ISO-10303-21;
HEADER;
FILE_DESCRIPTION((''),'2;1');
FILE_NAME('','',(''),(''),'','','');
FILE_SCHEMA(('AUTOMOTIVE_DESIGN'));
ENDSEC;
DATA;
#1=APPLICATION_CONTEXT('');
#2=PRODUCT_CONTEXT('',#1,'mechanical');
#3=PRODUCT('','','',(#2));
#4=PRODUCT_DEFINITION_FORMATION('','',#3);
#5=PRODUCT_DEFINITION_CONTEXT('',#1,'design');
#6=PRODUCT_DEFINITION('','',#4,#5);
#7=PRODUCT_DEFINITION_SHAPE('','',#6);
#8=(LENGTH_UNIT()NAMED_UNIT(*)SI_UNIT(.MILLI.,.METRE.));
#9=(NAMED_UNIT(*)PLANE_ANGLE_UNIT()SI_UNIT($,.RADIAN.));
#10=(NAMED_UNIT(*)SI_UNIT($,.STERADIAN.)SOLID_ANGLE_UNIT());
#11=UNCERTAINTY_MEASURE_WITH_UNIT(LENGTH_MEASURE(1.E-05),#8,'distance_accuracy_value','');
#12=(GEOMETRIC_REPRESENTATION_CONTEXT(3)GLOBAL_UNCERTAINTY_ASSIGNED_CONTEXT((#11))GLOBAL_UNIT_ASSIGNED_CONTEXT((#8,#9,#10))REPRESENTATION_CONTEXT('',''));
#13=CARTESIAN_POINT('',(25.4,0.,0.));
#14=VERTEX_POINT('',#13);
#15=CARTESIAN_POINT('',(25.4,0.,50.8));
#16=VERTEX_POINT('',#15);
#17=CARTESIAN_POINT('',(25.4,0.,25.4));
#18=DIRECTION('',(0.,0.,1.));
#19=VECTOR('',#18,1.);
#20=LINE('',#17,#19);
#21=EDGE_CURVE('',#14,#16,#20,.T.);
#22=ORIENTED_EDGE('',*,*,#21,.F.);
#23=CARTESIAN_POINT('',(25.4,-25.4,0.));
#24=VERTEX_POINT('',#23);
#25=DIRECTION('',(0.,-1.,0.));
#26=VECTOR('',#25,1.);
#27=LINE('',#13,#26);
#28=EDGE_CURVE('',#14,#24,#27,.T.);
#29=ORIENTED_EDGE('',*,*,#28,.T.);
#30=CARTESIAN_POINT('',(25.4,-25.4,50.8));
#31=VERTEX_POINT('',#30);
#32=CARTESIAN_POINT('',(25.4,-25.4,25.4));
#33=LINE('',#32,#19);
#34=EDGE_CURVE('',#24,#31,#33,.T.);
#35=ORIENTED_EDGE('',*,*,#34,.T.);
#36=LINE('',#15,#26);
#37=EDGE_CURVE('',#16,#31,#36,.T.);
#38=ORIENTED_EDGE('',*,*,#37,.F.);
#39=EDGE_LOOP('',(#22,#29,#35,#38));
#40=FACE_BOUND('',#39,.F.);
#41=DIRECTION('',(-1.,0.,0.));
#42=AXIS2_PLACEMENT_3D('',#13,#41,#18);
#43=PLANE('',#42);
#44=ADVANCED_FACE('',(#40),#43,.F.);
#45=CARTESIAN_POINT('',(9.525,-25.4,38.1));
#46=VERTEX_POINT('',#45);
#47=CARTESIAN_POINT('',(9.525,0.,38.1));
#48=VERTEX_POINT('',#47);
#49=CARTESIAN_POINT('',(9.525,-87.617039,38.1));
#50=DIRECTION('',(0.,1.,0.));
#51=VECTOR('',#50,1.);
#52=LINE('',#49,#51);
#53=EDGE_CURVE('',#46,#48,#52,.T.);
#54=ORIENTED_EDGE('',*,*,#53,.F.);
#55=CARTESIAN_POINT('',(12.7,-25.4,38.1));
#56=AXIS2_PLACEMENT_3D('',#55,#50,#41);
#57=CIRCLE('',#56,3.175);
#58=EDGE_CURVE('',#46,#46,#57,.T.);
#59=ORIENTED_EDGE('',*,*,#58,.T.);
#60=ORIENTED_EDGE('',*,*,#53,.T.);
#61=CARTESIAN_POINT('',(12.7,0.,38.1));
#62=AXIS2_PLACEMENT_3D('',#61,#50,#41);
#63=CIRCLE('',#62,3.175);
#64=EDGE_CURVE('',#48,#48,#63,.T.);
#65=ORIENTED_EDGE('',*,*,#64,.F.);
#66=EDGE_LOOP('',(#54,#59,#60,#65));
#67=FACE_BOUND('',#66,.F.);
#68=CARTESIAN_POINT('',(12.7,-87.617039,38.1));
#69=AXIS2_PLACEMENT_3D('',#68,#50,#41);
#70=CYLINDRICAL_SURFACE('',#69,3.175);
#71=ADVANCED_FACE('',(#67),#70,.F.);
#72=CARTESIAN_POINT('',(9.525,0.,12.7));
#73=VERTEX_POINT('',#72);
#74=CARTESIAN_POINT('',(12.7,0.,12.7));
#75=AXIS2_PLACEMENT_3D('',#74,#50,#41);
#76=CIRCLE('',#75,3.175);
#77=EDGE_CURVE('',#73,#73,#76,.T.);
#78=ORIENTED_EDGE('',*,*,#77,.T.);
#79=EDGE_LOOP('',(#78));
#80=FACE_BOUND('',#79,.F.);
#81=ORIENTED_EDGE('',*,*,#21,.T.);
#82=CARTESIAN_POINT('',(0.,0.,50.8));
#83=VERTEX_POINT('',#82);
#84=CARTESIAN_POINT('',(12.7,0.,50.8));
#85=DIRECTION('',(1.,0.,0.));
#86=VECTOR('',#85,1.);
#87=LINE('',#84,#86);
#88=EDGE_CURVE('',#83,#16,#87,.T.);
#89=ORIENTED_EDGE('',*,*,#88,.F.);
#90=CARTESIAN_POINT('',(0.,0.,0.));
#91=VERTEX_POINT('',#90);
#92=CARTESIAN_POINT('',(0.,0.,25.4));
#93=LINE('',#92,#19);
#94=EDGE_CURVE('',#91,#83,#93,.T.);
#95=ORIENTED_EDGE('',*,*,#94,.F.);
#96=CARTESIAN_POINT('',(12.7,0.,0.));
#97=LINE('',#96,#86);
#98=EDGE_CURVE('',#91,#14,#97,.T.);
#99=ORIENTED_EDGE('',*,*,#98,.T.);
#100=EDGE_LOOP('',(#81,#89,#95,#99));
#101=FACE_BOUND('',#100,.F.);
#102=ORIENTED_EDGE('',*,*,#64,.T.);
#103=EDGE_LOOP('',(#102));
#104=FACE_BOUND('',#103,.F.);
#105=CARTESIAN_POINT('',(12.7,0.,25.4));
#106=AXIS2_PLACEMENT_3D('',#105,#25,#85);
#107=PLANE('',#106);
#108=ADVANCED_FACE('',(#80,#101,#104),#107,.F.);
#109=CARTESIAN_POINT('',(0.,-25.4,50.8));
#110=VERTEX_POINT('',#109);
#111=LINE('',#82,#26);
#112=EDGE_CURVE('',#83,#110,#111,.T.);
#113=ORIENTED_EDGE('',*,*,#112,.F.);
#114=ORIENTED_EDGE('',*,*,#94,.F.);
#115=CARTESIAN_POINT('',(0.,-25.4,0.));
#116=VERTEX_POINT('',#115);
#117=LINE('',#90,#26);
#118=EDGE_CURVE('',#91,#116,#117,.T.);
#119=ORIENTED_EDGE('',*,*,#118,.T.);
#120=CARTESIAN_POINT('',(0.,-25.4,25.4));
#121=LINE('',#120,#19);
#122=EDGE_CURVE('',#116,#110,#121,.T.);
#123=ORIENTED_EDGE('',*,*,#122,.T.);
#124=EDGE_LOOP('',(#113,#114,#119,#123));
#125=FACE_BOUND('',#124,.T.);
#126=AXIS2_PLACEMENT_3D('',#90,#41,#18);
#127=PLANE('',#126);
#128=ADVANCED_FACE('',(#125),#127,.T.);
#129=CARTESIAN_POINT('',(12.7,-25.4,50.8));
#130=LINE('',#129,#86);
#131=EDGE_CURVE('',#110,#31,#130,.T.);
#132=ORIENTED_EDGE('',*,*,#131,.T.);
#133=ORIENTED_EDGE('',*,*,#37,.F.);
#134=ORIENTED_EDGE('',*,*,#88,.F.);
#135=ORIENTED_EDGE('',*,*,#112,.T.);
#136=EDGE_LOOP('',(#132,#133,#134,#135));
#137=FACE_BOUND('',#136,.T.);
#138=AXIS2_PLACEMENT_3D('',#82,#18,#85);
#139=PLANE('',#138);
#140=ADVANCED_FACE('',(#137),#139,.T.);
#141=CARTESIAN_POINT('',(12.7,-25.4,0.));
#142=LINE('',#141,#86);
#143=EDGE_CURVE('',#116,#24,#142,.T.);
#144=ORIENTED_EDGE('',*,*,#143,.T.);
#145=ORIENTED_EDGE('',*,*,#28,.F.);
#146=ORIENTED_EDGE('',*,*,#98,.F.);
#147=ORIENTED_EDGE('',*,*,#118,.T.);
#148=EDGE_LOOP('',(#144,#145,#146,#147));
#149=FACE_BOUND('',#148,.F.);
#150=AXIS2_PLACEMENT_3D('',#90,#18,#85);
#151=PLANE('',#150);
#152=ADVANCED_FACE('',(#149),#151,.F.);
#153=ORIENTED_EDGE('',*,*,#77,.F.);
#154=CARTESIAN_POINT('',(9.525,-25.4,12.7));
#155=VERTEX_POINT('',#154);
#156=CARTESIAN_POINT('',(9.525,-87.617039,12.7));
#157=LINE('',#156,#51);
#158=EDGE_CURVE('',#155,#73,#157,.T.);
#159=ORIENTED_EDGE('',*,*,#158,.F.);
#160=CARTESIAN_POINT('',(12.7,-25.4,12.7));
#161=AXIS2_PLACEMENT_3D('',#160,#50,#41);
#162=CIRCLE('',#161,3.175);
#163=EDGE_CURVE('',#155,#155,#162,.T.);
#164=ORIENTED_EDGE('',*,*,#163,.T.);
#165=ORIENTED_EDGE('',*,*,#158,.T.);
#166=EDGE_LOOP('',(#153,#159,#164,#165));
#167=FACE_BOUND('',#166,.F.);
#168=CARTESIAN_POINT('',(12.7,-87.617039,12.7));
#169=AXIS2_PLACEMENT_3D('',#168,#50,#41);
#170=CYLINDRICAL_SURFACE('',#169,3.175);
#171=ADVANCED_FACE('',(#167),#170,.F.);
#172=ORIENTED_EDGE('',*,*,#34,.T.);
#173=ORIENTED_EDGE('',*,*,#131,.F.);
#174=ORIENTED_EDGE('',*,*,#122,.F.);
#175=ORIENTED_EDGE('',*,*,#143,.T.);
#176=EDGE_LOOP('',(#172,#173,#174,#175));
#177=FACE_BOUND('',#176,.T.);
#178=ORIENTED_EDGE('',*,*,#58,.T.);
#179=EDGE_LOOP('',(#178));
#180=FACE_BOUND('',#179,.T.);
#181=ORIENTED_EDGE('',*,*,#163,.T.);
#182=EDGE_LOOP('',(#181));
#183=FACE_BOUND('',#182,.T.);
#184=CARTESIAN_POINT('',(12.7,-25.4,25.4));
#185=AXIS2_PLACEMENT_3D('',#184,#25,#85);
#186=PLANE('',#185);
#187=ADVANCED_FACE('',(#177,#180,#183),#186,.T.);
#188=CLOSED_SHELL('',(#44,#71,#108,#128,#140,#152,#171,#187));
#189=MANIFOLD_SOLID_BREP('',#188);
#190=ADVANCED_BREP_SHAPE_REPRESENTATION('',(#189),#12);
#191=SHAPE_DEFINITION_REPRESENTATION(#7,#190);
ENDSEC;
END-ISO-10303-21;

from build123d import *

# Parameters (mm, degrees)
F0_W     = 25.4
F0_H     = 50.8
F1_DEPTH = 25.4
F3_D     = 6.35


with BuildPart() as f1:
    # F0 (on Front) → F1 (new body)
    with BuildSketch(Plane.XZ):
        with Locations((12.7, 25.4)):
            Rectangle(F0_W, F0_H)
    extrude(amount=F1_DEPTH)

    # F3 (through all)
    with Locations(Plane.XZ.offset(25.4)):
        with Locations((12.7, 38.1), (12.7, 12.7)):
            Hole(F3_D / 2)


solid = f1.part
